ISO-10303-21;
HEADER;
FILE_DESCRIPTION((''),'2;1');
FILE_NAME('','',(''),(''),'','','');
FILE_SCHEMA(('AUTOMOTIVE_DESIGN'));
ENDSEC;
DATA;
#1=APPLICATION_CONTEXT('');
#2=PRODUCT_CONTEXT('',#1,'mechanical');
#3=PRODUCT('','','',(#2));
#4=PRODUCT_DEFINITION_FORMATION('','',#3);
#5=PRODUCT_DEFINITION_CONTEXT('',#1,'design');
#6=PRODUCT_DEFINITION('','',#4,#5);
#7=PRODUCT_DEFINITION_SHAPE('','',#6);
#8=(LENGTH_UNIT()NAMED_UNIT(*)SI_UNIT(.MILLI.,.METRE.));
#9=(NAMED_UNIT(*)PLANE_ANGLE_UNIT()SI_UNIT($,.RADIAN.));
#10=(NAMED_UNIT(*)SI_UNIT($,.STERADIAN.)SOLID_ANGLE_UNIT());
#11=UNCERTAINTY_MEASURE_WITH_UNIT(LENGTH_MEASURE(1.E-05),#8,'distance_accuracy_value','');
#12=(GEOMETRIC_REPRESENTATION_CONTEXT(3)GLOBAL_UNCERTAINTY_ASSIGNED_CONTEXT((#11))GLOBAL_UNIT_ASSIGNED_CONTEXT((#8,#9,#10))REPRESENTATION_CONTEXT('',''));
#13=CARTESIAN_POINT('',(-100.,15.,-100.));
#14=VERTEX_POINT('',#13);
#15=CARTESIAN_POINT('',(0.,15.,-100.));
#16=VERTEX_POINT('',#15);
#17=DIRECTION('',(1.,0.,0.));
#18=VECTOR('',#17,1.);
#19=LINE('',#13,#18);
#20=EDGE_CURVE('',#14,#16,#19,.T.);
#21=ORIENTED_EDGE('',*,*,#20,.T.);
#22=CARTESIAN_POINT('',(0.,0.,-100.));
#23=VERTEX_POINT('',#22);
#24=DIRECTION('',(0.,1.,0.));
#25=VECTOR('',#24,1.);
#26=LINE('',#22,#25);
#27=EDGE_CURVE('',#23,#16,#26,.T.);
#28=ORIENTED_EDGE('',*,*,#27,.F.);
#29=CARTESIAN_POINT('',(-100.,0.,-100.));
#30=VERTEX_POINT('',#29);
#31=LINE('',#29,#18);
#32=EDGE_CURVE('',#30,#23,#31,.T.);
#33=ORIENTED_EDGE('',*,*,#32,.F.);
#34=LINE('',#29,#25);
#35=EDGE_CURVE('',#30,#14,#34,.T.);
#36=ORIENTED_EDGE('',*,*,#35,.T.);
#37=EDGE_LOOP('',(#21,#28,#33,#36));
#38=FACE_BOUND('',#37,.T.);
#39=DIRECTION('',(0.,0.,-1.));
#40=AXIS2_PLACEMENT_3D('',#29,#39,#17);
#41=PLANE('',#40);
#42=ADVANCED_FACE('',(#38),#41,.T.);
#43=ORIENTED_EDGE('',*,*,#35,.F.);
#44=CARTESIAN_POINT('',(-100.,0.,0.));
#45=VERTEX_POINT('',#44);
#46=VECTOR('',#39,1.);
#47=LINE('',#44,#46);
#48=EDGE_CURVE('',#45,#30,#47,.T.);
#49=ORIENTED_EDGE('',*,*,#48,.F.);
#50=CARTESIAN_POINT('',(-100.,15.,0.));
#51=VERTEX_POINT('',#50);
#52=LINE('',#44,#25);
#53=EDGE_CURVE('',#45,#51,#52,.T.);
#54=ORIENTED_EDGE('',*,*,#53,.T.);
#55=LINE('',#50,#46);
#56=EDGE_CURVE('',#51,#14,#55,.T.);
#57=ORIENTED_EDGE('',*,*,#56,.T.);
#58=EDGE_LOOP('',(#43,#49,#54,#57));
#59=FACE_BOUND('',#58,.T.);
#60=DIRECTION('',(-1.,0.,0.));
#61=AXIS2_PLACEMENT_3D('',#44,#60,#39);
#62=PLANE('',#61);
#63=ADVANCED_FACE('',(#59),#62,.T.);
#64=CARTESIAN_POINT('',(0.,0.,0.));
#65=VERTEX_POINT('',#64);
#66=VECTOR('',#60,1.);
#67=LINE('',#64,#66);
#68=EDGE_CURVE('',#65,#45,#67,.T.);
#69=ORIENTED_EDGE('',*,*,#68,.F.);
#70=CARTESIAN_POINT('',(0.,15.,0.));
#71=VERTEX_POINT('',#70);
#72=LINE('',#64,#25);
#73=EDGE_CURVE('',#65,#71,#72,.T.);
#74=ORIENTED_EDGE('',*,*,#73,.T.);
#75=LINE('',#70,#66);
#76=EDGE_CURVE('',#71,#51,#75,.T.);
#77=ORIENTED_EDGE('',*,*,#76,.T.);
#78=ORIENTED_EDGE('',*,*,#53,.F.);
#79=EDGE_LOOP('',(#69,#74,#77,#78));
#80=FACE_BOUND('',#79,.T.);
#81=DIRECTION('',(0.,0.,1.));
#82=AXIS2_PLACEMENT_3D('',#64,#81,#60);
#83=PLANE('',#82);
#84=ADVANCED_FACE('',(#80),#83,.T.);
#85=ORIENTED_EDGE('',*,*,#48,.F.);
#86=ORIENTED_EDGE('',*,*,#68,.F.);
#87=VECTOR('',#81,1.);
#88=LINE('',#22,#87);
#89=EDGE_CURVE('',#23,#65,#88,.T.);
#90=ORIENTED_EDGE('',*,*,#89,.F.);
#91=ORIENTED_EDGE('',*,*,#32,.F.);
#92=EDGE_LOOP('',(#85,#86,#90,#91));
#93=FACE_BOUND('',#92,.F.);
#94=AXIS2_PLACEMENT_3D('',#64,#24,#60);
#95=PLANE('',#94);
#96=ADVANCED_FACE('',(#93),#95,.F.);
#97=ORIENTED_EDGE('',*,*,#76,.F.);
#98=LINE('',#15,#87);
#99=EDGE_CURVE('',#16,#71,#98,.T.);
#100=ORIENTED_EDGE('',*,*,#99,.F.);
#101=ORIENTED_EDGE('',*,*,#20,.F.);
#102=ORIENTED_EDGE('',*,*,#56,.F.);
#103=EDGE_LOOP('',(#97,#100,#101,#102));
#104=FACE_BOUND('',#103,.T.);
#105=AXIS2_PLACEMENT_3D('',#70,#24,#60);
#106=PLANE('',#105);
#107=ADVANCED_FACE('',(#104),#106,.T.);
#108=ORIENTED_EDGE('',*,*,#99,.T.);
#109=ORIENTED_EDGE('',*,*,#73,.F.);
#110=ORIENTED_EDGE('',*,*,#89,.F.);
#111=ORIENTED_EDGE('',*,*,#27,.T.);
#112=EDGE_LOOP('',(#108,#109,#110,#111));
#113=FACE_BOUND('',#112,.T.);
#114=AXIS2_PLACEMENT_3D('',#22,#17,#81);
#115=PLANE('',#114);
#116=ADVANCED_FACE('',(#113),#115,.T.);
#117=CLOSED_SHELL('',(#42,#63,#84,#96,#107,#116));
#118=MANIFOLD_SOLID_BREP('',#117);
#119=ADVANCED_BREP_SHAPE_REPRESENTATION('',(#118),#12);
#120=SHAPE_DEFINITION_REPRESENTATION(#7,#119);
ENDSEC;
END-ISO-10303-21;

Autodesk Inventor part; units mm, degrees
ref_plane "YZ Plane" through (0, 0, 0) normal (1, 0, 0) x (0, 1, 0)
ref_plane "XZ Plane" through (0, 0, 0) normal (0, 1, 0) x (-1, 0, 0)
ref_plane "XY Plane" through (0, 0, 0) normal (0, 0, 1) x (1, 0, 0)
sketch "Szkic1" plane through (0, 0, 0) normal (0, 1, 0) x (-1, 0, 0)
  line L0 (0, 0) -> (100, 0)
  line L1 (100, 0) -> (100, -100)
  line L2 (100, -100) -> (0, -100)
  line L3 (0, -100) -> (0, 0)
  dimension "d0" = 100
  dimension "d1" = 100
extrude "Wyciągnięcie proste1" add sketch "Szkic1" along normal blind 15
properties part number "plytka"
